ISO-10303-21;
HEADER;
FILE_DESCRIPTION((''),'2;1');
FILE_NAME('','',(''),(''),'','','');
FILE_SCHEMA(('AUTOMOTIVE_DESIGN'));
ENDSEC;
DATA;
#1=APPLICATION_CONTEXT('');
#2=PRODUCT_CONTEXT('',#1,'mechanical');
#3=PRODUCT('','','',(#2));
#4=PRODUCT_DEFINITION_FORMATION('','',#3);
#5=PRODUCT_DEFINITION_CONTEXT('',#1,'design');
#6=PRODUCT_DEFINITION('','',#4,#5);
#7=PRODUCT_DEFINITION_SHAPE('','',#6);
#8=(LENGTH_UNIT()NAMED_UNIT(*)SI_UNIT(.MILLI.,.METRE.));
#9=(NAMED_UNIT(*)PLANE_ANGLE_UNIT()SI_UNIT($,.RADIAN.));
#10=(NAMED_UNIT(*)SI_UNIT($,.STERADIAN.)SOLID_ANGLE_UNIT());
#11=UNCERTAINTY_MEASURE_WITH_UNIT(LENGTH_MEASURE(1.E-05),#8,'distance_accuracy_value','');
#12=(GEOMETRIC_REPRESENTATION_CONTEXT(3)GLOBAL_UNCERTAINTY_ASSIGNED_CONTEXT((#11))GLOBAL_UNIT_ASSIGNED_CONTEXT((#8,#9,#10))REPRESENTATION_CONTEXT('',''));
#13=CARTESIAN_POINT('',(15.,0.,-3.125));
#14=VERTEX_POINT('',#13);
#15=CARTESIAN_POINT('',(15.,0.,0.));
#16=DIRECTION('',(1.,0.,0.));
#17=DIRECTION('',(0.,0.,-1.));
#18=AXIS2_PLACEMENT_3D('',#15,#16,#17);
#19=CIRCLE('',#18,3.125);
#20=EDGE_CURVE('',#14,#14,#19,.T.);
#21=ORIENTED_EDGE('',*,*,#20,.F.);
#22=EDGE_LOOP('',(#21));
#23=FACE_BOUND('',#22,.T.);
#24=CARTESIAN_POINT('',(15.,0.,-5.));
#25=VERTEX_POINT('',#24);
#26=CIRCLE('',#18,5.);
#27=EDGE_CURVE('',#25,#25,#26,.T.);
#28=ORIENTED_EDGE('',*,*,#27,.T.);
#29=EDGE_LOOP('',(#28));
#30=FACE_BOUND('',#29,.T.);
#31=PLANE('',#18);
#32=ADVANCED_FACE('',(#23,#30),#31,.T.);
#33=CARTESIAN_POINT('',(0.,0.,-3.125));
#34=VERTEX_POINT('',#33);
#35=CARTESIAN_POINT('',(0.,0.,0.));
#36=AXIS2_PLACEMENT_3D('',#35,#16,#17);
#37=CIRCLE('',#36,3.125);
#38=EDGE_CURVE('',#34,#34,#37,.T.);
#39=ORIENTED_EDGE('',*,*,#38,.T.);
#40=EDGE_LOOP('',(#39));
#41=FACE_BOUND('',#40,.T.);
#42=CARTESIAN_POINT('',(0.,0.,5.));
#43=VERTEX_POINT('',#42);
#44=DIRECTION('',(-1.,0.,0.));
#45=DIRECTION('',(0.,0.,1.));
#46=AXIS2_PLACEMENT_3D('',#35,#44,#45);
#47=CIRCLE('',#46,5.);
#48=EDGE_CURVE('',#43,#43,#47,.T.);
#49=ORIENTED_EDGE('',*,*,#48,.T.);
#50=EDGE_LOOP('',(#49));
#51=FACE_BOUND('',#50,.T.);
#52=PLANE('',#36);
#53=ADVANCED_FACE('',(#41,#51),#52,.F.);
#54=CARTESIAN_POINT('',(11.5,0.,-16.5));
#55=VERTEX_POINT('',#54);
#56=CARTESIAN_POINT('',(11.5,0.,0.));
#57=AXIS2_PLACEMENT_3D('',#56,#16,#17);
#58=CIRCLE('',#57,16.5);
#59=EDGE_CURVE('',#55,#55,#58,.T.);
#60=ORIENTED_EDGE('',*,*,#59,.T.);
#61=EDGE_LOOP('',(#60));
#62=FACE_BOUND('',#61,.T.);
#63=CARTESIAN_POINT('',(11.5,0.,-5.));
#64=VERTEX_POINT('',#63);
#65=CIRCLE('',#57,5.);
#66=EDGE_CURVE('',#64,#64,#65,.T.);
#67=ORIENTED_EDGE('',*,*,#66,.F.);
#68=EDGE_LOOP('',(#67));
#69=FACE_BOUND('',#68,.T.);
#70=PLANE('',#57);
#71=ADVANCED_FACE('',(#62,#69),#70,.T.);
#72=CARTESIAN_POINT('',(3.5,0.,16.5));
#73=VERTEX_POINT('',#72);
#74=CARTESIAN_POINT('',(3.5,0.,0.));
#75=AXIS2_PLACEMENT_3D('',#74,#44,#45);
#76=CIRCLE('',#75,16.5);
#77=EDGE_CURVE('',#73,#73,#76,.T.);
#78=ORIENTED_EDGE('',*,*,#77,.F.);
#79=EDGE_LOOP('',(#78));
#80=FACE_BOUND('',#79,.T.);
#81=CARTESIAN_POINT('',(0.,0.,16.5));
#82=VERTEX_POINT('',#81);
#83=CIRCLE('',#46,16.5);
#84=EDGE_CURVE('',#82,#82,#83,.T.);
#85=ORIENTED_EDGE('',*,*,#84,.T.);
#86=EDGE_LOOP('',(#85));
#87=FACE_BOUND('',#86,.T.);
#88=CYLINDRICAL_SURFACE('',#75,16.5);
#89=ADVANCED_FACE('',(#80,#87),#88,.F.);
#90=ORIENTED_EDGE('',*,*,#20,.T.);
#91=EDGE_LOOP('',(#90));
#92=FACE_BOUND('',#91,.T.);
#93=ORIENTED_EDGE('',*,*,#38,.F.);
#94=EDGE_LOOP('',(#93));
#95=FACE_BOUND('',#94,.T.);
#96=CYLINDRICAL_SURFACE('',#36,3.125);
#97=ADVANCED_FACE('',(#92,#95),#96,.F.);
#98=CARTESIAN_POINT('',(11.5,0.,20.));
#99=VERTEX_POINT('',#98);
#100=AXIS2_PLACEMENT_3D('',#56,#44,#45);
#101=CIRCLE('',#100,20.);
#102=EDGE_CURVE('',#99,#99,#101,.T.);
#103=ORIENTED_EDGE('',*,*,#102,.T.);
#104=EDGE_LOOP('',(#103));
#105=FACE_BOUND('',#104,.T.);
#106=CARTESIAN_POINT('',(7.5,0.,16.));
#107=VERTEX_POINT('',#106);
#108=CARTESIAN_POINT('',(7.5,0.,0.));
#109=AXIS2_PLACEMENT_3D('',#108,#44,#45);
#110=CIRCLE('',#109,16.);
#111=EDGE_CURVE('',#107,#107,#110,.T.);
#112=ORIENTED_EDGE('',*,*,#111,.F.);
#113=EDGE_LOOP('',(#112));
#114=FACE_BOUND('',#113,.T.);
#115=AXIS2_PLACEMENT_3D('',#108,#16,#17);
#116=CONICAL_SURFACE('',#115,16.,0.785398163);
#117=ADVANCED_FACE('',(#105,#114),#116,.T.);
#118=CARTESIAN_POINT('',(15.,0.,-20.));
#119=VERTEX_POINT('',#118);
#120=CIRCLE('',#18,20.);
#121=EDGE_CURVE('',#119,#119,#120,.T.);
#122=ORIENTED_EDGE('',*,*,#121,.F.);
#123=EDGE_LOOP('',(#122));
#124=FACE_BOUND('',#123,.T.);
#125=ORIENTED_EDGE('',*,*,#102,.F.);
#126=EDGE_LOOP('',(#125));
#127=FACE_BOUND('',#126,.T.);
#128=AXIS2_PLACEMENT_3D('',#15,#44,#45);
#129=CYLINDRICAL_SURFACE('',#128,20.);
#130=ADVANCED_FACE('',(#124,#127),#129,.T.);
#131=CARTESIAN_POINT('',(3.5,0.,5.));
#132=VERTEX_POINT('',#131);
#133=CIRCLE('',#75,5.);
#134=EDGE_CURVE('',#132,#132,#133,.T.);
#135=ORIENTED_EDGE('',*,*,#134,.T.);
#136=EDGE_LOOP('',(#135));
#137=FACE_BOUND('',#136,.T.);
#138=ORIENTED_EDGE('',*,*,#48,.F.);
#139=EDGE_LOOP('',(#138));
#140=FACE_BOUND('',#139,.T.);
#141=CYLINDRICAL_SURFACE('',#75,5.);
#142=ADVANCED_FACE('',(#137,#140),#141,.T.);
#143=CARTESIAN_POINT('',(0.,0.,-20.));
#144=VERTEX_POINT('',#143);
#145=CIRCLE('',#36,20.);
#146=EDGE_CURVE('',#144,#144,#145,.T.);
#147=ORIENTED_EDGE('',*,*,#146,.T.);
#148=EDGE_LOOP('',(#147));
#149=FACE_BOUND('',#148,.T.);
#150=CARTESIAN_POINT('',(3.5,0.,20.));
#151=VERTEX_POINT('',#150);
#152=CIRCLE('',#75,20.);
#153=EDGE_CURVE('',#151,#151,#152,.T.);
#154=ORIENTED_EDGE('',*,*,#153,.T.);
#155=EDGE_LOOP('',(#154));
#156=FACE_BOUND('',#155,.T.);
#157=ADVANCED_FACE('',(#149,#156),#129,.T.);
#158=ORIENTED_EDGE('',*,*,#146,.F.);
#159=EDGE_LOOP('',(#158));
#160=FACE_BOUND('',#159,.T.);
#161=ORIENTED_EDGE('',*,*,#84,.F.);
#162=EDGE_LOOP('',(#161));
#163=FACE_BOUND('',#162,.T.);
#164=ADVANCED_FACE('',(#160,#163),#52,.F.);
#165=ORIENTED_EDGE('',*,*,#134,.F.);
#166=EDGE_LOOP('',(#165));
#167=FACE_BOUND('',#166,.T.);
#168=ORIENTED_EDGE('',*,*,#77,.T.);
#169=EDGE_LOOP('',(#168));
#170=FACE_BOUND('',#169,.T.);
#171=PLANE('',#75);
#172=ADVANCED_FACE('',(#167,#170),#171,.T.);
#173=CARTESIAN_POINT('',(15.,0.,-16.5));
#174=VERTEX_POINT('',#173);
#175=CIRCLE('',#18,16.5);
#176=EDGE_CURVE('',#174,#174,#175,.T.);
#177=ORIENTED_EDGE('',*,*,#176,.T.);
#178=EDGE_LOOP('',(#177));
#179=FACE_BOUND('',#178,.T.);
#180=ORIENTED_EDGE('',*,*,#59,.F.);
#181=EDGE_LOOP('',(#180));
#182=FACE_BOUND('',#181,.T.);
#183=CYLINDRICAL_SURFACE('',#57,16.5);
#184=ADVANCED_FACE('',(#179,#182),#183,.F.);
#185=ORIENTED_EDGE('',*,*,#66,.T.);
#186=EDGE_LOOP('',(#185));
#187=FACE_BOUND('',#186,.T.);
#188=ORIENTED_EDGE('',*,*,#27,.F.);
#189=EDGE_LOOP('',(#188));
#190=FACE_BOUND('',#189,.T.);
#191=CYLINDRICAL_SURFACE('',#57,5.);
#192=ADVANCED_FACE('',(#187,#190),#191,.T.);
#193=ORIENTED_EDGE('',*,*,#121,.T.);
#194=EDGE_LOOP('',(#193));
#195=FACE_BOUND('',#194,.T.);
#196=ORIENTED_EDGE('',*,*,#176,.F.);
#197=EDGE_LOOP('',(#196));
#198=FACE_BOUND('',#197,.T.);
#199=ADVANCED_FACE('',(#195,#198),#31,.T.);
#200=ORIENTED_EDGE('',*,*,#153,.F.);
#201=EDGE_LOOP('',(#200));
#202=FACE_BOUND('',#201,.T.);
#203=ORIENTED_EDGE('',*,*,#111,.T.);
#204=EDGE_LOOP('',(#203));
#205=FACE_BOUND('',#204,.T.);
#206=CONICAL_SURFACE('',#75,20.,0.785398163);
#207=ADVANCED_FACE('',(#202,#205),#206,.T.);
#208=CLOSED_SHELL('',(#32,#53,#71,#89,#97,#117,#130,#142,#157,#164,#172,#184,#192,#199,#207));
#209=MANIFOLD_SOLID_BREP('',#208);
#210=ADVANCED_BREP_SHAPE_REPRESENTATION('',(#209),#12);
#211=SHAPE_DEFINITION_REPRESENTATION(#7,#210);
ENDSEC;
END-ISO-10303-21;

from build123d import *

# Parameters (mm, degrees)
SKETCH2_R           = 20
BOSS_EXTRUDE1_DEPTH = 15
SKETCH3_R           = 16.5
SKETCH3_R_2         = 5
CUT_EXTRUDE1_DEPTH  = 3.5
CUT_EXTRUDE2_START  = -3.5
SKETCH4_R           = 16.5
SKETCH4_R_2         = 5
CUT_EXTRUDE2_DEPTH  = 3.5
SKETCH6_R           = 3.125
CUT_EXTRUDE3_DEPTH  = 33.015621187


with BuildPart() as part:
    # Sketch2 → Boss-Extrude1 (new body)
    with BuildSketch(Plane(origin=(0, 0, 0), x_dir=(0, 0, -1), z_dir=(1, 0, 0))):
        Circle(SKETCH2_R)
    extrude(amount=BOSS_EXTRUDE1_DEPTH)

    # Sketch3 → Cut-Extrude1 (cut)
    with BuildSketch(Plane(origin=(15, 0, 0), x_dir=(0, 0, -1), z_dir=(1, 0, 0))):
        Circle(SKETCH3_R)
        Circle(SKETCH3_R_2, mode=Mode.SUBTRACT)
    extrude(amount=-CUT_EXTRUDE1_DEPTH, mode=Mode.SUBTRACT)

    # Sketch4 → Cut-Extrude2 (cut)
    with BuildSketch(Plane.ZY.offset(CUT_EXTRUDE2_START)):
        with Locations(Location((0, 0, 0), (0, 0, 180))):
            Circle(SKETCH4_R)
        with Locations(Location((0, 0, 0), (0, 0, 180))):
            Circle(SKETCH4_R_2, mode=Mode.SUBTRACT)
    extrude(amount=CUT_EXTRUDE2_DEPTH, mode=Mode.SUBTRACT)

    # Sketch6 → Cut-Extrude3 (cut, through all)
    with BuildSketch(Plane(origin=(15, 0, 0), x_dir=(0, 0, -1), z_dir=(1, 0, 0))):
        Circle(SKETCH6_R)
    extrude(amount=-CUT_EXTRUDE3_DEPTH, mode=Mode.SUBTRACT)

    # Sketch7 → Cut-Revolve3 (revolve, cut)
    with BuildSketch(Plane(origin=(0, 0, 0), x_dir=(1, 0, 0), z_dir=(0, 1, 0)), mode=Mode.PRIVATE) as cut_revolve3_sk:
        Polygon((3.5, 20), (7.5, 16), (11.5, 20), align=None)
    revolve(cut_revolve3_sk.sketch.rotate(Axis((0, 0, 0), (1, 0, 0)), 180), axis=Axis((0, 0, 0), (1, 0, 0)), mode=Mode.SUBTRACT)


solid = part.part
